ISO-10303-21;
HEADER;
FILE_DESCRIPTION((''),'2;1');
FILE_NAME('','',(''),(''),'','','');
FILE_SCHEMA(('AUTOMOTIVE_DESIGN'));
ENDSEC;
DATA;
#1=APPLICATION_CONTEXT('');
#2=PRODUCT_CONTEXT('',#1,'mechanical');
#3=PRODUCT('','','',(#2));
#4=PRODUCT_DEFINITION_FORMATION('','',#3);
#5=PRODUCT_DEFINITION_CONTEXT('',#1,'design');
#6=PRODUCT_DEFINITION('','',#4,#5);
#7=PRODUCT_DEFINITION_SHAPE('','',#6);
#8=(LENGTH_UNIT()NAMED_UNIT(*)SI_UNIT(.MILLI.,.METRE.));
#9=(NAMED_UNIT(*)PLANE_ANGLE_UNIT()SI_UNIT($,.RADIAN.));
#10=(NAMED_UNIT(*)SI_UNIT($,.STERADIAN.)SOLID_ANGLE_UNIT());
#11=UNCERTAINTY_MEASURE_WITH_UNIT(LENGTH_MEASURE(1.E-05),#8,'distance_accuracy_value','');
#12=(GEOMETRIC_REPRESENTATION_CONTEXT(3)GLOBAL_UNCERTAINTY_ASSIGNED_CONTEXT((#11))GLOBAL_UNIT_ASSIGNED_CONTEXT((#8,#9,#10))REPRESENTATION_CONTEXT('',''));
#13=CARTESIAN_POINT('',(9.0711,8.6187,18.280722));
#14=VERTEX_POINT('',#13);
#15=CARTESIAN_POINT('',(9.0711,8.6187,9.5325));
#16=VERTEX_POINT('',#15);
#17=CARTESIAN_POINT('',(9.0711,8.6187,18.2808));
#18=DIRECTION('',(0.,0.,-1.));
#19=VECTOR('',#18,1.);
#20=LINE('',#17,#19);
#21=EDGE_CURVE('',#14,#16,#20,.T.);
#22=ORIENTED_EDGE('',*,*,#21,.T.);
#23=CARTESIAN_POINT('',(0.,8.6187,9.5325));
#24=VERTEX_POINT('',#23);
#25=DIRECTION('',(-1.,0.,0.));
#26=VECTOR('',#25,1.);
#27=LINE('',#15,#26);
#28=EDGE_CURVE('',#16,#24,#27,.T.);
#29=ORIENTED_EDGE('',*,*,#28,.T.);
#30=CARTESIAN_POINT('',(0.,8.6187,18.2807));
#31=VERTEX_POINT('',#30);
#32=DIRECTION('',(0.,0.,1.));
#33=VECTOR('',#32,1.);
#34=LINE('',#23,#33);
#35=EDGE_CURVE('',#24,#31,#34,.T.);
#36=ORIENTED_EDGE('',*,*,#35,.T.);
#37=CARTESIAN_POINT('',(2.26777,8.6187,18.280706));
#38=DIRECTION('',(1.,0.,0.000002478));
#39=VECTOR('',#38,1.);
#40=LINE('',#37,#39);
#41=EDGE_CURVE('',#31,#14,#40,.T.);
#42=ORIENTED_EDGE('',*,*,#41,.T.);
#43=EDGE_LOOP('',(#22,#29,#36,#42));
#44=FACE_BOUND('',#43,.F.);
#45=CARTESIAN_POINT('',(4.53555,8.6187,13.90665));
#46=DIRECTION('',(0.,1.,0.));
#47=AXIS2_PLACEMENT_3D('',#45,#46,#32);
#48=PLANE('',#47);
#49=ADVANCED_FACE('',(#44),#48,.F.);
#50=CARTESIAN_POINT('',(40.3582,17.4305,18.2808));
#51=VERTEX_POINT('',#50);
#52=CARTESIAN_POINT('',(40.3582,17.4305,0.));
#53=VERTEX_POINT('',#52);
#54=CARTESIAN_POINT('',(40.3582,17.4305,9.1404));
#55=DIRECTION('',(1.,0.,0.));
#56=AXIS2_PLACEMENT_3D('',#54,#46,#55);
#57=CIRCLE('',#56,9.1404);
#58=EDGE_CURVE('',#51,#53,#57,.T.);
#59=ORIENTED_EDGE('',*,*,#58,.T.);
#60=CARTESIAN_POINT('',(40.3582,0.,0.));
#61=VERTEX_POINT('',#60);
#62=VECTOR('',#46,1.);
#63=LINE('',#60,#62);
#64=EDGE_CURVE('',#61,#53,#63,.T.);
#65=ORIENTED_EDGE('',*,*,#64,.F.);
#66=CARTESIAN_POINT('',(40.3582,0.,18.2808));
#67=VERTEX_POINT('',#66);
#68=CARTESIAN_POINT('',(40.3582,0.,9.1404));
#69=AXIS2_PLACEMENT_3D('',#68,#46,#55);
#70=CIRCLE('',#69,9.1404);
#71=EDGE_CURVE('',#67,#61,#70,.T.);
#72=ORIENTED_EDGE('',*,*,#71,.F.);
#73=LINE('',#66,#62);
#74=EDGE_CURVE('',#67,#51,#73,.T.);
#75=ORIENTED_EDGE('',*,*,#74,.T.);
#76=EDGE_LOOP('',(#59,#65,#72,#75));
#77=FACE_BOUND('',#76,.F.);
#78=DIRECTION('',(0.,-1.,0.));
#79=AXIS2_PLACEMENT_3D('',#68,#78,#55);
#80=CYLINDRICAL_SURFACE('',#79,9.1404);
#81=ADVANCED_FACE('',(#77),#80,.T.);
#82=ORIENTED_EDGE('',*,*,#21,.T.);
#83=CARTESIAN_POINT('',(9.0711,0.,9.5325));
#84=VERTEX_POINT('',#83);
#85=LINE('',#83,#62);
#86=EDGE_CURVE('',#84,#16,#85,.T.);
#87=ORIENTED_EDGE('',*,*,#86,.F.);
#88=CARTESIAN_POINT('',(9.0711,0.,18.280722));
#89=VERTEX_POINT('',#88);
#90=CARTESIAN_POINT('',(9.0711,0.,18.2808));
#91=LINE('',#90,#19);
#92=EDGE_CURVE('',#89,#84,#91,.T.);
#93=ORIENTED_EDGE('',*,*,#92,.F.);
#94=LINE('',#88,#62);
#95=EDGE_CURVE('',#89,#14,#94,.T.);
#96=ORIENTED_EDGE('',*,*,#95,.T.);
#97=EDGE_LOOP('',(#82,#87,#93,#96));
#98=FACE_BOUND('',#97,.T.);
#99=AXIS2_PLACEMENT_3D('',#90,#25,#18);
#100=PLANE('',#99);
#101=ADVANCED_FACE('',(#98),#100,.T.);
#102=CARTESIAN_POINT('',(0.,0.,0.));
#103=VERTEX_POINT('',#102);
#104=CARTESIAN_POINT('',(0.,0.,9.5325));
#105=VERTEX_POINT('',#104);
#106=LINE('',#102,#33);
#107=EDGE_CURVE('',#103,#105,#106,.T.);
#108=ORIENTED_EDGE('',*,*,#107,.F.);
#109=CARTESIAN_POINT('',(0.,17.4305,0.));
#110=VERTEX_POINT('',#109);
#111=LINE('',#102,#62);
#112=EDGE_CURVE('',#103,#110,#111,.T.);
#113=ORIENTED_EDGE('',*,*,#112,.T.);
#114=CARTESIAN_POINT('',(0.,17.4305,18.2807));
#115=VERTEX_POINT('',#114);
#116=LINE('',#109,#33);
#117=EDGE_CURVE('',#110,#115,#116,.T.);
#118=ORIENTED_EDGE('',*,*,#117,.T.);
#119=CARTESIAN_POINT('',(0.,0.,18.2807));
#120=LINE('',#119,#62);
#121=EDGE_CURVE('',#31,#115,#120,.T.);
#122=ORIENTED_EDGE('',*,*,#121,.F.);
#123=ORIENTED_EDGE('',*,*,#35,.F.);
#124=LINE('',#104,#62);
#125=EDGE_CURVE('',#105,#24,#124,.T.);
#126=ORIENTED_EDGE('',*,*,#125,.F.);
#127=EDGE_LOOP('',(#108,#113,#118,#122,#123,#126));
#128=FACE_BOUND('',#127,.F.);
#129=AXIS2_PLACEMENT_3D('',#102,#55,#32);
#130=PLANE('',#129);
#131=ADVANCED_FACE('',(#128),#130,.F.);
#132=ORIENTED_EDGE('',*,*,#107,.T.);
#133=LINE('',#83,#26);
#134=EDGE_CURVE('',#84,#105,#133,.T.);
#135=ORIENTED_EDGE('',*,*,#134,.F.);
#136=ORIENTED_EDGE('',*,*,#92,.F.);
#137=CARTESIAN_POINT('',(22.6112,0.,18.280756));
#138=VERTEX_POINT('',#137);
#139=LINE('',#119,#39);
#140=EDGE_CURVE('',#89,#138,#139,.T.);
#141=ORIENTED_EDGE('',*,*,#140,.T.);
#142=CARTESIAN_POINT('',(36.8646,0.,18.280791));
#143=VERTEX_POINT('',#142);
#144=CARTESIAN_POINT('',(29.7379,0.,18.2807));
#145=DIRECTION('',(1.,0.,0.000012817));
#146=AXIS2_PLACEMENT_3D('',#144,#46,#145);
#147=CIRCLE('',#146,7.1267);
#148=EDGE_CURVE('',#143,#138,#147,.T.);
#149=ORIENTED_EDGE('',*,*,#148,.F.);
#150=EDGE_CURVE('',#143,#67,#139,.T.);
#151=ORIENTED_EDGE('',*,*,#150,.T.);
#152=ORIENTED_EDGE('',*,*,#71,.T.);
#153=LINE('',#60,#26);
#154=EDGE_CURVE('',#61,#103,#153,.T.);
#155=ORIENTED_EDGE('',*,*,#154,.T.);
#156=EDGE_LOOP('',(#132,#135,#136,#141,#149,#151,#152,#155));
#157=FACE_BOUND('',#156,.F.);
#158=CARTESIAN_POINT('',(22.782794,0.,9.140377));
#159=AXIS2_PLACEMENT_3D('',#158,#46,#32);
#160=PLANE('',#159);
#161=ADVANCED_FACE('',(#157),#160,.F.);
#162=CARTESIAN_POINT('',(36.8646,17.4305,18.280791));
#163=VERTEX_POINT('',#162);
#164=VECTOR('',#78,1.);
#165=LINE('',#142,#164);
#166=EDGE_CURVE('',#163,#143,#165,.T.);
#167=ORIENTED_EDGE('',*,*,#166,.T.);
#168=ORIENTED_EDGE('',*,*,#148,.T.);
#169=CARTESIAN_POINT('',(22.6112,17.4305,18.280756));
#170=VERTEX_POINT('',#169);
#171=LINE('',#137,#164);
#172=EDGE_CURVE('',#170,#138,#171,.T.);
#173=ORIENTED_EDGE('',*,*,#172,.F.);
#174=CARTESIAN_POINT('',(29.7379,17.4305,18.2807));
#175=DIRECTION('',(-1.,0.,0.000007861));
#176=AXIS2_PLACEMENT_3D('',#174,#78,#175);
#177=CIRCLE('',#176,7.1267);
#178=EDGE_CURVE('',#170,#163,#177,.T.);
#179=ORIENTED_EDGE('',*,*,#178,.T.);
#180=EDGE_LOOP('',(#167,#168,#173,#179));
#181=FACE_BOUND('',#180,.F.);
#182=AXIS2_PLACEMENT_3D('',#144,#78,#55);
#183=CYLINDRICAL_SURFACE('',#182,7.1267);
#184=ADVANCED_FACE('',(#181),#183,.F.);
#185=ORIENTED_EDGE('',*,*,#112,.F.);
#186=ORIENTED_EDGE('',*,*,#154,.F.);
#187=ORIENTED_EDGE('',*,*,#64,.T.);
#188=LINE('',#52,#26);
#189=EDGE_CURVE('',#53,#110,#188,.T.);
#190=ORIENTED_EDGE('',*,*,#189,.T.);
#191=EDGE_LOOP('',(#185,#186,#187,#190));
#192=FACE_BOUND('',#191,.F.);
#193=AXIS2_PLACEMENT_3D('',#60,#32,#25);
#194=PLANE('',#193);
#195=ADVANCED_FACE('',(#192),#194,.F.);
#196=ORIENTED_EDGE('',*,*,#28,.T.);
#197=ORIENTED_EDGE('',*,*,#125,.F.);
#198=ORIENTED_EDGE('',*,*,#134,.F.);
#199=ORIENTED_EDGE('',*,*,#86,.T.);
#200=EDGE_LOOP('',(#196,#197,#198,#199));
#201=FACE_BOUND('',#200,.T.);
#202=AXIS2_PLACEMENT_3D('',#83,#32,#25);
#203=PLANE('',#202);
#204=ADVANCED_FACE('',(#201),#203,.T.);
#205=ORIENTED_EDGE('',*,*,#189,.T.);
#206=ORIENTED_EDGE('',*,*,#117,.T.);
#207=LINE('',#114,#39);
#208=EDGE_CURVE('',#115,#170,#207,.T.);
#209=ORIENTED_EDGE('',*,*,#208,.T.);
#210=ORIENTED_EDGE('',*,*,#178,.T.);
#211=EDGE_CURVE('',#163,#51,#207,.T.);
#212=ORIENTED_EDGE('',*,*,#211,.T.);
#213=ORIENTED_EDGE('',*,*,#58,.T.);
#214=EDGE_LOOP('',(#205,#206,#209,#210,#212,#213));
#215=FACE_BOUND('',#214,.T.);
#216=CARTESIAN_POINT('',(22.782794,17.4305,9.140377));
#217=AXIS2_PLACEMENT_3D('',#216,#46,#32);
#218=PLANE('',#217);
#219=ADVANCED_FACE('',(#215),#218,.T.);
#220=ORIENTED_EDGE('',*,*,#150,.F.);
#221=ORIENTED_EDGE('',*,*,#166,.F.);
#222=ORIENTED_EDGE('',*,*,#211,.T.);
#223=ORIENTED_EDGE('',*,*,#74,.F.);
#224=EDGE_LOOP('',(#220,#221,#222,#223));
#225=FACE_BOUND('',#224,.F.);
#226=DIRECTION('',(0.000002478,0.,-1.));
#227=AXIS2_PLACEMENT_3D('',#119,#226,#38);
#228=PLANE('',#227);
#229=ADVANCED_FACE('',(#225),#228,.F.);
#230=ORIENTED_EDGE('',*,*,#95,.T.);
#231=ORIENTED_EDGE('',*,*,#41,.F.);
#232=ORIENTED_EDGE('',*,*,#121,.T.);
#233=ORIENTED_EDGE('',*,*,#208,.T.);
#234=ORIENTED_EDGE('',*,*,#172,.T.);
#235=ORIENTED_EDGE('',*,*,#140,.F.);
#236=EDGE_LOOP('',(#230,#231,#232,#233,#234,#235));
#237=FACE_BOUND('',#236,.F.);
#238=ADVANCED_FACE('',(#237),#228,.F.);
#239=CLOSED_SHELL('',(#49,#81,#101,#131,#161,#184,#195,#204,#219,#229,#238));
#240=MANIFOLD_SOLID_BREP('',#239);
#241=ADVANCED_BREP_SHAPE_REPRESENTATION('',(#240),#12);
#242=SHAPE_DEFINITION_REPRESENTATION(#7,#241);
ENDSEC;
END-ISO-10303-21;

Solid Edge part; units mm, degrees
sketch "Sketch1" plane through (0, 0, 0) normal (0, -1, 0) x (1, 0, 0)
  line L0 (40.3582, 0) -> (0, 0)
  line L1 (0, 0) -> (0, 18.2807)
  line L2 (0, 18.2807) -> (40.3582, 18.2807)
  arc A0 (40.3582, 18.2808) -> (40.3582, 0) centre (40.3582, 9.1404) cw
extrude "Protrusion1" add sketch "Sketch1" against normal blind 17.4305
sketch "Sketch2" plane through (0, 0, 0) normal (0, -1, 0) x (1, 0, 0)
  circle A0 centre (29.7379, 18.2807) radius 7.1267
extrude "ExtrudedCutout_1" cut sketch "Sketch2" against normal blind 28.8602
sketch "Sketch3" plane through (24.7493, 0, 9.1404) normal (0, -1, 0) x (1, 0, 0)
  line L0 (-15.6782, 9.1404) -> (-15.6782, 0.3921)
  line L1 (-15.6782, 0.3921) -> (-24.7493, 0.3921)
  line L2 (-24.7493, 0.3921) -> (-24.7493, 9.1404)
  line L3 (-24.7493, 9.1404) -> (-15.6782, 9.1404)
extrude "ExtrudedCutout_2" cut sketch "Sketch3" against normal blind 8.6187
